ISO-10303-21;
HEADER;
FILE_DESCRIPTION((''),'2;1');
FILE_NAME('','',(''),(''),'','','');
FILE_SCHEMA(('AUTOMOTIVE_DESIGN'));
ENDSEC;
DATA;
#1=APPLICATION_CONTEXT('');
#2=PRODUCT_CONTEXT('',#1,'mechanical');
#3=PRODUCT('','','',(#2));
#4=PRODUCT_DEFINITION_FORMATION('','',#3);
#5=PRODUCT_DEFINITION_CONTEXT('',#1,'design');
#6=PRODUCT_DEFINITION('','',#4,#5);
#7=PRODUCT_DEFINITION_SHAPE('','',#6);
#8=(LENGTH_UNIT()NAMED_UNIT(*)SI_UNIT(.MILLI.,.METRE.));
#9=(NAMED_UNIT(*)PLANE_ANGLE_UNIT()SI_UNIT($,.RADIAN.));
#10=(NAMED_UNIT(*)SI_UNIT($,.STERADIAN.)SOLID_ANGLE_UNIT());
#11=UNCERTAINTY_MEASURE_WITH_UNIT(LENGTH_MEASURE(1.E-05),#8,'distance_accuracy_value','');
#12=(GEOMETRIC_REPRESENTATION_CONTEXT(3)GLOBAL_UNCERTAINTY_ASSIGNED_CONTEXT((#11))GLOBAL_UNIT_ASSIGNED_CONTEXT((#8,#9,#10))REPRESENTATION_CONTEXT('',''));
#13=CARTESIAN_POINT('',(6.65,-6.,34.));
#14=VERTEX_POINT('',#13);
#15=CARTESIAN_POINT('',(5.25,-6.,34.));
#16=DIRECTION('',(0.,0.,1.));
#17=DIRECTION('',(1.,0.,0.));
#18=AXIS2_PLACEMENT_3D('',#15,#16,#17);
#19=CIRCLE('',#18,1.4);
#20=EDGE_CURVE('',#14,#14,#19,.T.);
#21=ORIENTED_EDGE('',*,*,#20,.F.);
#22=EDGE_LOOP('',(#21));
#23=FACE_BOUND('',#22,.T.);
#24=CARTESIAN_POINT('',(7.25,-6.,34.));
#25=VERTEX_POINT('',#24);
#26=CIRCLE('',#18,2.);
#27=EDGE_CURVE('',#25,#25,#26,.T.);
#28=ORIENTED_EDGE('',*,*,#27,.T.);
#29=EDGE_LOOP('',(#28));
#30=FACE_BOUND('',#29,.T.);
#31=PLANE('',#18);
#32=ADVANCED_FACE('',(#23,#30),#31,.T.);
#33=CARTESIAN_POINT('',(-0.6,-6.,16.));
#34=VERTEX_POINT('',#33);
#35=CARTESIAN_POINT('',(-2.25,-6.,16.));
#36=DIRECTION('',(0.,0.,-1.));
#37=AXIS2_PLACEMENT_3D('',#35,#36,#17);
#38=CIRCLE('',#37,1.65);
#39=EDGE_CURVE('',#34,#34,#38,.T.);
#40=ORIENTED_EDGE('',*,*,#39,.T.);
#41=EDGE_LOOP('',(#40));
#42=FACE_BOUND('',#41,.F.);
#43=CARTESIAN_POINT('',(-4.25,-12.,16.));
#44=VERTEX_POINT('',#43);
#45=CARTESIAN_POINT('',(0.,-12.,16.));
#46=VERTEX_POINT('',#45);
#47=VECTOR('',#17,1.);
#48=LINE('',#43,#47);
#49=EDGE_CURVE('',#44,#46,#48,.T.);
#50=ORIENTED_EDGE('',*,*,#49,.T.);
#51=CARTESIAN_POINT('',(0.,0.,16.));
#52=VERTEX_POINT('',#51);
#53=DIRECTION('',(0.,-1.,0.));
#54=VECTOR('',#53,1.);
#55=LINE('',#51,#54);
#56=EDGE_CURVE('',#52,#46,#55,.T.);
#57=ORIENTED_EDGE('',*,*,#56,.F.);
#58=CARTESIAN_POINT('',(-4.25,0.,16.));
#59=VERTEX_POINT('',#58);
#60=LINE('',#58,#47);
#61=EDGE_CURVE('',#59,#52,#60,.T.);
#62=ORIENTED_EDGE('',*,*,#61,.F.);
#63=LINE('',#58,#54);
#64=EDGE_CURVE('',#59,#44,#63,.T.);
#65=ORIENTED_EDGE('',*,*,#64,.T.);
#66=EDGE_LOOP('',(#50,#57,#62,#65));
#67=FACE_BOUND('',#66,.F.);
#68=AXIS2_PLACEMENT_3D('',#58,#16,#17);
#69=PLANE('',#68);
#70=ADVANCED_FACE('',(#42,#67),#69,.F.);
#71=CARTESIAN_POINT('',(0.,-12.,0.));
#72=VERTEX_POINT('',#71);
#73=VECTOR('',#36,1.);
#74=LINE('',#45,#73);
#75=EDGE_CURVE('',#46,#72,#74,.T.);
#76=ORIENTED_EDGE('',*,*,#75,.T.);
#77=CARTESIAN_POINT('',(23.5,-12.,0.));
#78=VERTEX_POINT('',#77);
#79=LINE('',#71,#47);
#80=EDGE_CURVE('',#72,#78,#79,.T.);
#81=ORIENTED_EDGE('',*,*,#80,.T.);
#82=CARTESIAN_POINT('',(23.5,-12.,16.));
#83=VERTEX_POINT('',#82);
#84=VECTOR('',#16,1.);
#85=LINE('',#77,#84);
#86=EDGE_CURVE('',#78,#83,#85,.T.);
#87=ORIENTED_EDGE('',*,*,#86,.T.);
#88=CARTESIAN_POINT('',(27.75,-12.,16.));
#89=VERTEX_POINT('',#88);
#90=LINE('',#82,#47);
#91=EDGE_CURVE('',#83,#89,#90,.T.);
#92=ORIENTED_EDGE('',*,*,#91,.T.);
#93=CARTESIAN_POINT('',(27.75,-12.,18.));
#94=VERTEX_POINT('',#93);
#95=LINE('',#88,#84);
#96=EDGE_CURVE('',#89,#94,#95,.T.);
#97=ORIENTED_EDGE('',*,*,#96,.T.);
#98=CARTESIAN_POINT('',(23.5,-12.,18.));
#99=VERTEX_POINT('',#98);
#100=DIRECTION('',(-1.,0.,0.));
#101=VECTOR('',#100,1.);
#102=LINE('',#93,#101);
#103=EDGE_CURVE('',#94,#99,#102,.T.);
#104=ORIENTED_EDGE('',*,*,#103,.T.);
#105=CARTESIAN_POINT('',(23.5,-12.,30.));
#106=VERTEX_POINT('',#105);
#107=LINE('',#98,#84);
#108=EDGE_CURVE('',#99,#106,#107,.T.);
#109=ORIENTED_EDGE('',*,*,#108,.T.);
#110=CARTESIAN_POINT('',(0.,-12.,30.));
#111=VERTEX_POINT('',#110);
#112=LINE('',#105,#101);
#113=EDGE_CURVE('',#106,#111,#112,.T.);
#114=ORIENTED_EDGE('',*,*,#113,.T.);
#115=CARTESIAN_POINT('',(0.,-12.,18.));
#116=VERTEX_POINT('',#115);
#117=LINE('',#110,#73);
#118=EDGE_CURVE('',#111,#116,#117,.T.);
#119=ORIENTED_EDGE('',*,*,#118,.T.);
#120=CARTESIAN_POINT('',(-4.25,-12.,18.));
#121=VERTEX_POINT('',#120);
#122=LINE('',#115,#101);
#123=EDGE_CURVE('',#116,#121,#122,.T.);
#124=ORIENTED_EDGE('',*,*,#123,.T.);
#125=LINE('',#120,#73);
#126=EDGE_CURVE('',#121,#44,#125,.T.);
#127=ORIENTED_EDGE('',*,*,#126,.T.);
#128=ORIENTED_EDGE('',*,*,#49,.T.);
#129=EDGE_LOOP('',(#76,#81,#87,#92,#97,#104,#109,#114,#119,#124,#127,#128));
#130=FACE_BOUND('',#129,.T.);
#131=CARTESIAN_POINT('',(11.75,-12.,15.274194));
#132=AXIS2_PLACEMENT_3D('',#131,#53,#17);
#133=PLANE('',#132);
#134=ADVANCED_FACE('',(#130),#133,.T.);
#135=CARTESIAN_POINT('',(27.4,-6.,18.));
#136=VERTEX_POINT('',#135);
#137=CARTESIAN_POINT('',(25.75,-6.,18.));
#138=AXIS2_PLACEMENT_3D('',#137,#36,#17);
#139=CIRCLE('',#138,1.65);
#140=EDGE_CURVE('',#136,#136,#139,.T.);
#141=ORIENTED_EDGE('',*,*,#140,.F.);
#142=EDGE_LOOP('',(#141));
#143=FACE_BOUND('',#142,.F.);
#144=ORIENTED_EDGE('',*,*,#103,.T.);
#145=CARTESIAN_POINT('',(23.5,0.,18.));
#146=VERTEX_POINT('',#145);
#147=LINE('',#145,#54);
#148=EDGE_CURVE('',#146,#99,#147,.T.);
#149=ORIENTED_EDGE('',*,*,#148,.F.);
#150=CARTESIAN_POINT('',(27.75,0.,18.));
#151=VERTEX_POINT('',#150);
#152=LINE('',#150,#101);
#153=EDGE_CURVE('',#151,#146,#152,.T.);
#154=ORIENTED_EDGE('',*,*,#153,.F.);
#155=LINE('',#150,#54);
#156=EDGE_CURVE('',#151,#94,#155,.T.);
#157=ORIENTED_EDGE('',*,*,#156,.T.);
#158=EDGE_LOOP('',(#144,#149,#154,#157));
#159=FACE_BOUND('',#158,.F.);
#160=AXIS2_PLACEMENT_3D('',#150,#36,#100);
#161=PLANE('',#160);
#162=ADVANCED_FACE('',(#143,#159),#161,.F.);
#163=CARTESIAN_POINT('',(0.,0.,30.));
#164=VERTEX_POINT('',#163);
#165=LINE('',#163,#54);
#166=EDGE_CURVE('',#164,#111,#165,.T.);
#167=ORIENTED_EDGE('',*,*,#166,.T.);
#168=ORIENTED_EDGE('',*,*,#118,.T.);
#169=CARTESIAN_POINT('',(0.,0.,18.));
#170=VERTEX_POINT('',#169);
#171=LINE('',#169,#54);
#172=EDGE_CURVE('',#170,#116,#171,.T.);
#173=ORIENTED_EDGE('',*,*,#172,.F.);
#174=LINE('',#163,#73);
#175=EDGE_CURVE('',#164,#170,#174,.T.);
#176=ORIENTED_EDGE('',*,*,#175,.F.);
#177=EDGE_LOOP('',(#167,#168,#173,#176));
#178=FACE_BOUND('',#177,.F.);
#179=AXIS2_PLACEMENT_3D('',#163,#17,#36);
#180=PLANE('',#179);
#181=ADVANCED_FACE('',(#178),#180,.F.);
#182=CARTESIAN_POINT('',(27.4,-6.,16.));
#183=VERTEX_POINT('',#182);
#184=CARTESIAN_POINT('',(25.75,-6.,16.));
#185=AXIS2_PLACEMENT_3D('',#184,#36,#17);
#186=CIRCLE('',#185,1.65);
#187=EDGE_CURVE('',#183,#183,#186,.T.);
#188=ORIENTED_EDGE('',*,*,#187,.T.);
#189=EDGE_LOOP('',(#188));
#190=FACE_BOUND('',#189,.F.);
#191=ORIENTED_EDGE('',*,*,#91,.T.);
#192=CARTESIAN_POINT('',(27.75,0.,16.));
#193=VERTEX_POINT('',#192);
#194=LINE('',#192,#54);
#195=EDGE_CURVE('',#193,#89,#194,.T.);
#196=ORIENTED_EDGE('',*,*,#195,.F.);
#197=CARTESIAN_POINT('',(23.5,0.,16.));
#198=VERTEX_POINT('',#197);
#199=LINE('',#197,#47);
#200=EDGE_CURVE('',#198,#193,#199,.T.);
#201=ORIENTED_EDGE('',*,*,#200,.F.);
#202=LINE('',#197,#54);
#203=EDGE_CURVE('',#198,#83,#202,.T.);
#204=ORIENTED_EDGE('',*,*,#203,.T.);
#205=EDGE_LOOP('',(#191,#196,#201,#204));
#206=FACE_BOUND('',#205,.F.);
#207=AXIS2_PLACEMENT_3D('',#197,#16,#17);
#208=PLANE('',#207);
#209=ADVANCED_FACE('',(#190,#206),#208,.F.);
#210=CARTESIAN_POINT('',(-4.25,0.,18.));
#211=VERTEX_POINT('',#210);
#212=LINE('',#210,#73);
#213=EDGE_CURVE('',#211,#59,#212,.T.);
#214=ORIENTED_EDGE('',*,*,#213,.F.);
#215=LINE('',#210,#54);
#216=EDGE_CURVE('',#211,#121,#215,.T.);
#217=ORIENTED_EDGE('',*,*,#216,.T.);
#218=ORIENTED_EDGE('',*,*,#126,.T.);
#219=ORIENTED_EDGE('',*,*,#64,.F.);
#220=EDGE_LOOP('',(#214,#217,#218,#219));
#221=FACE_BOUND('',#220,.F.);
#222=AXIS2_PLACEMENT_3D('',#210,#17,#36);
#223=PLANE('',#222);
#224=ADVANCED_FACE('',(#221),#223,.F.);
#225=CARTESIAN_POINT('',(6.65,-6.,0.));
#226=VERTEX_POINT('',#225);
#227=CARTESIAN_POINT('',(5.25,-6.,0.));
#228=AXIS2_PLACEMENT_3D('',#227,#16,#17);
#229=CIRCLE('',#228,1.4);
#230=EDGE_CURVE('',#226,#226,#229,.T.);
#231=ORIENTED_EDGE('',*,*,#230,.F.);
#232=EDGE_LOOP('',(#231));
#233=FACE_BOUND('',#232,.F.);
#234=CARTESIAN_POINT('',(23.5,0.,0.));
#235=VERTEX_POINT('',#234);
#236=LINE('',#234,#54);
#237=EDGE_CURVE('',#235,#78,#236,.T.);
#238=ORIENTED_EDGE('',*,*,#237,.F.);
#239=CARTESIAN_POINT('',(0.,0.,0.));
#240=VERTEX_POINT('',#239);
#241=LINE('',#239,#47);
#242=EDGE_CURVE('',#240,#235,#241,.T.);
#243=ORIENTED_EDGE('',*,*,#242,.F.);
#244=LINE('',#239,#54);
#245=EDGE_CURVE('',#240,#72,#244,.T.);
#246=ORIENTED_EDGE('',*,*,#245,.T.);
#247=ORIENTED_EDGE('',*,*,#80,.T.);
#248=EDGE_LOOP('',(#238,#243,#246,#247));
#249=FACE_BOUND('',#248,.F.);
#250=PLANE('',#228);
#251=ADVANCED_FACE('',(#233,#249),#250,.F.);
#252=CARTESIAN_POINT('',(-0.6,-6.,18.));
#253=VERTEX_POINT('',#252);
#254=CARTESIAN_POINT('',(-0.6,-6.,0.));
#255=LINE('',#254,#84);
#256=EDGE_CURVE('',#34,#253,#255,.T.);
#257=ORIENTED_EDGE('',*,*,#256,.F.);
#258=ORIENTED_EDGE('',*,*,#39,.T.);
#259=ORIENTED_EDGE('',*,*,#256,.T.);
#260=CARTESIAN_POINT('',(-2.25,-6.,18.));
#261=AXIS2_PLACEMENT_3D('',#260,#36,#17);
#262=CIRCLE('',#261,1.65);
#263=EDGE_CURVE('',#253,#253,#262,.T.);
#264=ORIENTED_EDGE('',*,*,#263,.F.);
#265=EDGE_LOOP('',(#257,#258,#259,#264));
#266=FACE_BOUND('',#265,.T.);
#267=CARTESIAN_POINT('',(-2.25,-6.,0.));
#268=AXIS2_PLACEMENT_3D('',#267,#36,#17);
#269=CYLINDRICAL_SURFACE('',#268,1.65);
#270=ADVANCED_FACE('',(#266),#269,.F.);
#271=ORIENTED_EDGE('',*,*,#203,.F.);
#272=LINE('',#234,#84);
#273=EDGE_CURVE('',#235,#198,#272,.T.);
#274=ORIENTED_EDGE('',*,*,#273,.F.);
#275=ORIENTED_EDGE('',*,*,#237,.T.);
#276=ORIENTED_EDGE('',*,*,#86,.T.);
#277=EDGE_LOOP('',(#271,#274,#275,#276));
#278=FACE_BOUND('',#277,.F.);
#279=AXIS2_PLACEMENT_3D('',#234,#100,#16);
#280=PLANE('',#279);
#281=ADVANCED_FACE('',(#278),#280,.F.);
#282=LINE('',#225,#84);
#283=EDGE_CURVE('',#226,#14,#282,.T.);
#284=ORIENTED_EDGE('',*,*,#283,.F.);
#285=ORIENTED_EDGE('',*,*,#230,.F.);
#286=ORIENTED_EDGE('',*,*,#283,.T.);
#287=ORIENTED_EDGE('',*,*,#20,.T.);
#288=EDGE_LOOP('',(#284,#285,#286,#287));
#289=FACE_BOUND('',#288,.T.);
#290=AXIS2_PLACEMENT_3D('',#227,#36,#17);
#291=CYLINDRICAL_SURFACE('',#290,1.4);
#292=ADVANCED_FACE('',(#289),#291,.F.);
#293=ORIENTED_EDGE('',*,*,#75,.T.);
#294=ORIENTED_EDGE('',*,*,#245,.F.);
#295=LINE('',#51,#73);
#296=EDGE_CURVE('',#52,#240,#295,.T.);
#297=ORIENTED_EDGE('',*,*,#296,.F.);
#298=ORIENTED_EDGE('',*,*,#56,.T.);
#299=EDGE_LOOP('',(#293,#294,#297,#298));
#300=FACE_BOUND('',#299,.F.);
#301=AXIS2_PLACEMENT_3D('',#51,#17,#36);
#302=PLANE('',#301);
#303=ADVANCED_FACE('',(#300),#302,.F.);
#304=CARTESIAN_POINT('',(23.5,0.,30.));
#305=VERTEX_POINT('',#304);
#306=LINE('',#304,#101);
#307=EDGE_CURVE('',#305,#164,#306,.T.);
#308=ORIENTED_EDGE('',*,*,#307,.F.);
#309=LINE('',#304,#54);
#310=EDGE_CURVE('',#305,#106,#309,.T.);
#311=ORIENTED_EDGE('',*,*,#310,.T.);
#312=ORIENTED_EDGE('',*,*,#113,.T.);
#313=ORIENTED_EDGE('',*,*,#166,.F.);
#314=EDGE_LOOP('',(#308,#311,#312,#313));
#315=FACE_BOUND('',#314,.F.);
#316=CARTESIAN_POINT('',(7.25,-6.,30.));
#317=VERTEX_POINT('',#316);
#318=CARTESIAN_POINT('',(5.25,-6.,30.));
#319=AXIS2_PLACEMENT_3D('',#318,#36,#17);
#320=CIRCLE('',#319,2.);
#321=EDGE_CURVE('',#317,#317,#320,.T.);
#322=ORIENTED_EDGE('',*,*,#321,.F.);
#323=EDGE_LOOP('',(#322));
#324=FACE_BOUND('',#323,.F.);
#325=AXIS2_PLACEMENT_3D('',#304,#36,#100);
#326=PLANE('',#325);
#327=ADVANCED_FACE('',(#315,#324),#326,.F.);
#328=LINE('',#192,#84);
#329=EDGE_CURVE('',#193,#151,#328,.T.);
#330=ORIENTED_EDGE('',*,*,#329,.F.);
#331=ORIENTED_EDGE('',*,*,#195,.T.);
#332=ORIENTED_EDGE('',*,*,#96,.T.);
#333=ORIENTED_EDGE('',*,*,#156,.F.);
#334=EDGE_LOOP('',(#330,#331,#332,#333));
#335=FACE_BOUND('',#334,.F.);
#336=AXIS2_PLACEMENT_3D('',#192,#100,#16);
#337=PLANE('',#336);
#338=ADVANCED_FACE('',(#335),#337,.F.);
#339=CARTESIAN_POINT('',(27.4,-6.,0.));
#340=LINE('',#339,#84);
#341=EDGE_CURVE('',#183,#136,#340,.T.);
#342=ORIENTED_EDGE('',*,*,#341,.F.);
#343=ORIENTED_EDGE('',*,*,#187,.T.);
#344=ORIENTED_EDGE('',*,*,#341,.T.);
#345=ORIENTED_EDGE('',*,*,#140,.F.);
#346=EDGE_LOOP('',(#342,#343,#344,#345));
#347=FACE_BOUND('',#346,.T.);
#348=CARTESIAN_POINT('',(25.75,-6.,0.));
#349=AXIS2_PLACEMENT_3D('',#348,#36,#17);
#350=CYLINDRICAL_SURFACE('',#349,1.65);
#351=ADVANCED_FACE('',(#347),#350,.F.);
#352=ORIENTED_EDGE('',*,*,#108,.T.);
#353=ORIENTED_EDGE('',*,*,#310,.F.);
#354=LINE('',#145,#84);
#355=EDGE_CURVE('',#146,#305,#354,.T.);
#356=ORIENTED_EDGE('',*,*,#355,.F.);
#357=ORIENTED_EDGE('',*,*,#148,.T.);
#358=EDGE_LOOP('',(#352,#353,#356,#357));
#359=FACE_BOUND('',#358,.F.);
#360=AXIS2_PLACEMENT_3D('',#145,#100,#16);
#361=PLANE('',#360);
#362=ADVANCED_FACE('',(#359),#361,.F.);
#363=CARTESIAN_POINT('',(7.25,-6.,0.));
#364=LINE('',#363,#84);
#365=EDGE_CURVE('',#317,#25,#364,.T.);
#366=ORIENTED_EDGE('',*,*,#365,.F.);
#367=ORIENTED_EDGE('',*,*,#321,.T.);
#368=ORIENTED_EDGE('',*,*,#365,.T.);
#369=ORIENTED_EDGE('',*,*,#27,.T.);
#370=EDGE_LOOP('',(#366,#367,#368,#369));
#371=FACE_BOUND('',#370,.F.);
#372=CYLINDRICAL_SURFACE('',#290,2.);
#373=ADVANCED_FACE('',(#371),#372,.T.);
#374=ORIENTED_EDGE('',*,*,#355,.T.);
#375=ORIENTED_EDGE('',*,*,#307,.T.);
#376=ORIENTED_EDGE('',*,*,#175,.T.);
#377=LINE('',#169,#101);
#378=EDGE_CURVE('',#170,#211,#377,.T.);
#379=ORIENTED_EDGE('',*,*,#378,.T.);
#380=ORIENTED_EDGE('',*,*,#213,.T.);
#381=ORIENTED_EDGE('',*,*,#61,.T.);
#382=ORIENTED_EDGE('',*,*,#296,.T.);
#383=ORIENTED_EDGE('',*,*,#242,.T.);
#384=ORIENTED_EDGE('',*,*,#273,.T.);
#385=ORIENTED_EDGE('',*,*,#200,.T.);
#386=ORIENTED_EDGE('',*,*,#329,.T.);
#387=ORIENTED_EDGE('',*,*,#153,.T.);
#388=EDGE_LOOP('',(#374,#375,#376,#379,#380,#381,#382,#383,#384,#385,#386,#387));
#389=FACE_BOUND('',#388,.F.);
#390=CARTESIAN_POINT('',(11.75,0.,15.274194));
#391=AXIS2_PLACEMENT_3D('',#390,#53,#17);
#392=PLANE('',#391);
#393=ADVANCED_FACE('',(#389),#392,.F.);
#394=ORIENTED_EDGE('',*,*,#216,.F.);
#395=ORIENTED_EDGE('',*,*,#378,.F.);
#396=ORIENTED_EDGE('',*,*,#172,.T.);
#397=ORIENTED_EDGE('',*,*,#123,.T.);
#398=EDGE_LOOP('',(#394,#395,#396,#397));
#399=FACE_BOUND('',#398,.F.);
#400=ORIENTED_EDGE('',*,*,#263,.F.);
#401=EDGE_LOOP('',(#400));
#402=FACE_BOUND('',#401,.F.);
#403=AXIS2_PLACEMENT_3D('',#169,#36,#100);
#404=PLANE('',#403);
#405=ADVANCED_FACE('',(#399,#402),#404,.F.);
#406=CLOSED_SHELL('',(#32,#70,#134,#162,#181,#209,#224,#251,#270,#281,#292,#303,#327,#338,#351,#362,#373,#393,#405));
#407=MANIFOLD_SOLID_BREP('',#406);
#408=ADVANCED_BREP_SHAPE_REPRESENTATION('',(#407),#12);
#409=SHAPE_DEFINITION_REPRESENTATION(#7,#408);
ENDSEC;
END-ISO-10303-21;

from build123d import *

# Parameters (mm, degrees)
PAD019_DEPTH      = 12
SKETCH028_R       = 1.65
POCKET008_DEPTH   = 50
CYLINDER_R        = 2
CYLINDER_DEPTH    = 34
CYLINDER001_R     = 1.4
CYLINDER001_DEPTH = 34


with BuildPart() as part:
    # Sketch027 → Pad019 (new body)
    with BuildSketch(Plane.XZ):
        Polygon((0, 0), (23.5, 0), (23.5, 16), (27.75, 16), (27.75, 18), (23.5, 18), (23.5, 30), (0, 30), (0, 18), (-4.25, 18), (-4.25, 16), (0, 16), align=None)
    extrude(amount=PAD019_DEPTH)

    # Sketch028 → Pocket008 (cut)
    with BuildSketch(Plane.XY):
        with Locations((-2.25, -6)):
            Circle(SKETCH028_R)
        with Locations((25.75, -6)):
            Circle(SKETCH028_R)
    extrude(amount=POCKET008_DEPTH, mode=Mode.SUBTRACT)

    # Cylinder → Cylinder (join)
    with BuildSketch(Plane(origin=(5.25, -6, 0), x_dir=(1, 0, 0), z_dir=(0, 0, 1))):
        Circle(CYLINDER_R)
    extrude(amount=CYLINDER_DEPTH)

    # Cylinder001 → Cylinder001 (cut)
    with BuildSketch(Plane(origin=(5.25, -6, 0), x_dir=(1, 0, 0), z_dir=(0, 0, 1))):
        Circle(CYLINDER001_R)
    extrude(amount=CYLINDER001_DEPTH, mode=Mode.SUBTRACT)


solid = part.part
